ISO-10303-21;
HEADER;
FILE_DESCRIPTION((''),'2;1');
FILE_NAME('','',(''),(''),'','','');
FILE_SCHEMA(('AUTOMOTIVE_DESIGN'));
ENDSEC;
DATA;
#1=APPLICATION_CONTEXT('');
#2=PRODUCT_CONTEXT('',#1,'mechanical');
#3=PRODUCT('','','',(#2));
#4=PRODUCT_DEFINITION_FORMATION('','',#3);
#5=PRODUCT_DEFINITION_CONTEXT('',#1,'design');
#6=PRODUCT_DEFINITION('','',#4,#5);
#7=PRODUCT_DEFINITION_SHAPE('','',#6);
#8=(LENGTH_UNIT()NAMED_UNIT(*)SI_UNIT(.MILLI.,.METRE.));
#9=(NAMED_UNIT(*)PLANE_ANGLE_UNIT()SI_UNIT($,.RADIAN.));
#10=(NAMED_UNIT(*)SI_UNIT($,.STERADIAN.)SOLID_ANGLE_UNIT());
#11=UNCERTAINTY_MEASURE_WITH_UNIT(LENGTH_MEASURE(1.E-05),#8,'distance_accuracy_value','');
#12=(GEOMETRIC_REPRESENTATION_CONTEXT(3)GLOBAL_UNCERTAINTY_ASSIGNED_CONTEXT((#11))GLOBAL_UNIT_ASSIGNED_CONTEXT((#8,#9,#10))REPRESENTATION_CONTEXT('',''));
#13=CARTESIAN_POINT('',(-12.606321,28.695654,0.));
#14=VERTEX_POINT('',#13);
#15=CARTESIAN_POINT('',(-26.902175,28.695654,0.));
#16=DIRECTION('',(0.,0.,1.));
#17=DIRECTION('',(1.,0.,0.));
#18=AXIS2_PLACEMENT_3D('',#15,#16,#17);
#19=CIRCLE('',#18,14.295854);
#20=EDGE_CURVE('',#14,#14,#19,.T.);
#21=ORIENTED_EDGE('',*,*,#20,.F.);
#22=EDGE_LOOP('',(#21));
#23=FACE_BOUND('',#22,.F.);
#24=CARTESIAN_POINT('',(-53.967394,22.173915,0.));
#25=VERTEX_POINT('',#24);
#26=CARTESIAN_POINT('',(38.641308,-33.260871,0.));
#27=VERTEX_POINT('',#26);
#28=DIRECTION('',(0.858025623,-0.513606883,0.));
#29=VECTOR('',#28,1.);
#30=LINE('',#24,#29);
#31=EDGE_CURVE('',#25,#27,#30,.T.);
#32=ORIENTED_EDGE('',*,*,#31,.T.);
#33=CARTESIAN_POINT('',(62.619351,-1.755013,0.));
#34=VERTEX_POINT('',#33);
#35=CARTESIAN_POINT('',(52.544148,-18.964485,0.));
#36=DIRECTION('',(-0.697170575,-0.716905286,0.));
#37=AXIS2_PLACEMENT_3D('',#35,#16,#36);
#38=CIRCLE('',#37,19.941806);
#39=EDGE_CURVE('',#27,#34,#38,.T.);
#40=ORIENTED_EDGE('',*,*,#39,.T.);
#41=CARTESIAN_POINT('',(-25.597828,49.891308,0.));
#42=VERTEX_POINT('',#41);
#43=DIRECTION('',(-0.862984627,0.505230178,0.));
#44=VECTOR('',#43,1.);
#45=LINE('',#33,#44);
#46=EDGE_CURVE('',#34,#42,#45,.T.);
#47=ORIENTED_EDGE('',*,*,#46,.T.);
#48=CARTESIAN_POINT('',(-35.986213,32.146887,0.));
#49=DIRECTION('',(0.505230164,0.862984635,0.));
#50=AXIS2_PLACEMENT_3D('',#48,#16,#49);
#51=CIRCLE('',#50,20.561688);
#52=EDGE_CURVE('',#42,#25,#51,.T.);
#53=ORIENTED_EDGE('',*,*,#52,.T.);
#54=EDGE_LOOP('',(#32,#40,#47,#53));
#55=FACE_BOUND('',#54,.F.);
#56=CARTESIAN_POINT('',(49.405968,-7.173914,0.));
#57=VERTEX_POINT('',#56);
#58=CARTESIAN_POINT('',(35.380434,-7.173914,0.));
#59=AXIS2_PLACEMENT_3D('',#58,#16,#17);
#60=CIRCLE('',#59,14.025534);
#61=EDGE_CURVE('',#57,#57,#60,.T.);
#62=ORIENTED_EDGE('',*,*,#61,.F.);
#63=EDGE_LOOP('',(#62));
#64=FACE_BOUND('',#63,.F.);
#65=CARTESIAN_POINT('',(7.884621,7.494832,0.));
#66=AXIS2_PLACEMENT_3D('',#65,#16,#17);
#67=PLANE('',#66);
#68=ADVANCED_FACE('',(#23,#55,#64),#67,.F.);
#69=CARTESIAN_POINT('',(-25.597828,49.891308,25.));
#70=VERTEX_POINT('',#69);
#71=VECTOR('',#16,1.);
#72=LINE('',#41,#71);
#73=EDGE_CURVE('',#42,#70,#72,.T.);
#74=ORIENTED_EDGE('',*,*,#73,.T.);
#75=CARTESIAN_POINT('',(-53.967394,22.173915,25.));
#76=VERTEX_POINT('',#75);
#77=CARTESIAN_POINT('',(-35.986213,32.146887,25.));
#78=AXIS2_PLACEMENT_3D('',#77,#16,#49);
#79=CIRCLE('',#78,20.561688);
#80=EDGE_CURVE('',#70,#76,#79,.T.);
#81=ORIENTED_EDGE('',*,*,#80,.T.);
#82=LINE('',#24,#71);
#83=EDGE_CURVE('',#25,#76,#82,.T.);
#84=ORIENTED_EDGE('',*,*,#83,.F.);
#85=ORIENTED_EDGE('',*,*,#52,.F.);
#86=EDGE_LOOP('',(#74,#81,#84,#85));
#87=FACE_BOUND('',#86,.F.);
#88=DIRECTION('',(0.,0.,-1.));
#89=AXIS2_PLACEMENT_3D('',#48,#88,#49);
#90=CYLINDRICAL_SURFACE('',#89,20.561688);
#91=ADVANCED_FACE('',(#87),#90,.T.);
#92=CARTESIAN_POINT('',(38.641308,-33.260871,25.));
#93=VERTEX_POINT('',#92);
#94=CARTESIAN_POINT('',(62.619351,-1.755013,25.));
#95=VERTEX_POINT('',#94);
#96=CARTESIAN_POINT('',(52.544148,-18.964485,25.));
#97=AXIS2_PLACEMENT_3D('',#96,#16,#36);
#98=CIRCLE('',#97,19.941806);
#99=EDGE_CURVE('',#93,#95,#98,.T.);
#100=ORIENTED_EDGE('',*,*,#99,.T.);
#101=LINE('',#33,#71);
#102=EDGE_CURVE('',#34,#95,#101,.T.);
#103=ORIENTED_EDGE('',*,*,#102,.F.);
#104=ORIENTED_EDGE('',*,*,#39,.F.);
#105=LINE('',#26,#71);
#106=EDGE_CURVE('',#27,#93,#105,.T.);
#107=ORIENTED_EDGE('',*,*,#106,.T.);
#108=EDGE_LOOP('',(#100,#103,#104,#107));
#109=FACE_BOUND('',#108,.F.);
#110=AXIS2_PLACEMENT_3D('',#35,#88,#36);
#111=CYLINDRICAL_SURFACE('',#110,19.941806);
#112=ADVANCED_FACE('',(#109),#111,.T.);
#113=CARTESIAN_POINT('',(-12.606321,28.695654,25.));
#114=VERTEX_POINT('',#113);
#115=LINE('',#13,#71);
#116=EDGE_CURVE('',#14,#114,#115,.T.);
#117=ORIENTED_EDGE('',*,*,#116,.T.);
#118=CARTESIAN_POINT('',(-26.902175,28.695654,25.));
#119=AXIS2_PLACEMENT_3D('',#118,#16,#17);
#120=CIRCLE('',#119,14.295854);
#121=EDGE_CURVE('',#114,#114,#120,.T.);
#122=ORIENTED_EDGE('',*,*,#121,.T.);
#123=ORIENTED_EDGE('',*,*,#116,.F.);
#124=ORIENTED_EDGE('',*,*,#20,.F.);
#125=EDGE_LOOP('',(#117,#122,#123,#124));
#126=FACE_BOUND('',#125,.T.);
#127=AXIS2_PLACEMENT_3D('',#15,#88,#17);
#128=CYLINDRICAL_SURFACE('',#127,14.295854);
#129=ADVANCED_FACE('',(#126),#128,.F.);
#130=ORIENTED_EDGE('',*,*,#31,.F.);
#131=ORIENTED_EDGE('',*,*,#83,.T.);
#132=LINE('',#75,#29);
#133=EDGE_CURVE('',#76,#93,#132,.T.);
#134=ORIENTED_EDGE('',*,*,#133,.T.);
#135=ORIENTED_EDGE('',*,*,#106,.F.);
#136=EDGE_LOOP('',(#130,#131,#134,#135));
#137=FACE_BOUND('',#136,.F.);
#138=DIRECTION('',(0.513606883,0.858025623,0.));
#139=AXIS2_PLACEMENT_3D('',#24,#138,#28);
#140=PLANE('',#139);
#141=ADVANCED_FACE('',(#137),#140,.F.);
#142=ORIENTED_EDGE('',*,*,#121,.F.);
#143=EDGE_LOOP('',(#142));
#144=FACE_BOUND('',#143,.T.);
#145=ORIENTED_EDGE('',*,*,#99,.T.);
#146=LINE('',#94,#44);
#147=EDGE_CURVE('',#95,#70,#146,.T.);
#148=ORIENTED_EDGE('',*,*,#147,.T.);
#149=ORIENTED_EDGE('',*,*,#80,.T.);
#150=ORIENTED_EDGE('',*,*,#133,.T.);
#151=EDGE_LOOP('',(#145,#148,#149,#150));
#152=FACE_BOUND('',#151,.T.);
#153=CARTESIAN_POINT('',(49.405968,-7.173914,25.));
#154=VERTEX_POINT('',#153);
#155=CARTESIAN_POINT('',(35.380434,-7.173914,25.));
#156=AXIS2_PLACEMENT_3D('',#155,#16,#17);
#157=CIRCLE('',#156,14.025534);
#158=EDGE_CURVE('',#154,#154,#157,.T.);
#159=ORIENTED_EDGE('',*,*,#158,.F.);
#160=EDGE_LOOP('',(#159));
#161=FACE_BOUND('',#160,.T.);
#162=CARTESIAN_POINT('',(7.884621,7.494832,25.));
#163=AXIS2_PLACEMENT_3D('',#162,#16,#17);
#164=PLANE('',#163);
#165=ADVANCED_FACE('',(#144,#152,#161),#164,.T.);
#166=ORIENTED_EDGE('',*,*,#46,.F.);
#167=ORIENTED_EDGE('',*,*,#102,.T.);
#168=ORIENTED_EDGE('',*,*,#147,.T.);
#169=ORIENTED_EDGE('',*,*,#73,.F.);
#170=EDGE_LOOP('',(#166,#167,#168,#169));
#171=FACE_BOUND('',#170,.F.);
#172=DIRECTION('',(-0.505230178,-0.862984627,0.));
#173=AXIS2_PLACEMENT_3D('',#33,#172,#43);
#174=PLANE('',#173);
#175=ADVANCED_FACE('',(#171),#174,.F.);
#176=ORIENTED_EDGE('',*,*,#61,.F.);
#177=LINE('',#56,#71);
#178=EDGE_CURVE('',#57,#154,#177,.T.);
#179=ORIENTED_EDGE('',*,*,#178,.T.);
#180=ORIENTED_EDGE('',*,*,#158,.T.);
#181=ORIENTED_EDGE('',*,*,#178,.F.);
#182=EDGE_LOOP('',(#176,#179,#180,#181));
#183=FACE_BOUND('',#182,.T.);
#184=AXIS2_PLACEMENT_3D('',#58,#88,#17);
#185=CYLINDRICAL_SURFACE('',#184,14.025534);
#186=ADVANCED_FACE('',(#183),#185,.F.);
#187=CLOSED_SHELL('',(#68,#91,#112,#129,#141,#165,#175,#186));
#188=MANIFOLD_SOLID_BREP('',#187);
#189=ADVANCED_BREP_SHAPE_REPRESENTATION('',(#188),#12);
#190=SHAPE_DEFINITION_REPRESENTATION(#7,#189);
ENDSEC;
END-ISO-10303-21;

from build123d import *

# Parameters (mm, degrees)
F0_R     = 14.025534
F0_R_2   = 14.295854
F1_DEPTH = 25


with BuildPart() as f1:
    # F0 (on Top) → F1 (new body)
    with BuildSketch(Plane.XY):
        with BuildLine():
            Line((62.619351, -1.755013), (-25.597828, 49.891308))
            ThreePointArc((-25.597828, 49.891308), (-50.355489, 46.854264), (-53.967394, 22.173915))
            Line((-53.967394, 22.173915), (38.641308, -33.260871))
            ThreePointArc((38.641308, -33.260871), (68.412906, -31.04166), (62.619351, -1.755013))
        make_face()
        with Locations((35.380434, -7.173914)):
            Circle(F0_R, mode=Mode.SUBTRACT)
        with Locations((-26.902175, 28.695654)):
            Circle(F0_R_2, mode=Mode.SUBTRACT)
    extrude(amount=F1_DEPTH)


solid = f1.part
